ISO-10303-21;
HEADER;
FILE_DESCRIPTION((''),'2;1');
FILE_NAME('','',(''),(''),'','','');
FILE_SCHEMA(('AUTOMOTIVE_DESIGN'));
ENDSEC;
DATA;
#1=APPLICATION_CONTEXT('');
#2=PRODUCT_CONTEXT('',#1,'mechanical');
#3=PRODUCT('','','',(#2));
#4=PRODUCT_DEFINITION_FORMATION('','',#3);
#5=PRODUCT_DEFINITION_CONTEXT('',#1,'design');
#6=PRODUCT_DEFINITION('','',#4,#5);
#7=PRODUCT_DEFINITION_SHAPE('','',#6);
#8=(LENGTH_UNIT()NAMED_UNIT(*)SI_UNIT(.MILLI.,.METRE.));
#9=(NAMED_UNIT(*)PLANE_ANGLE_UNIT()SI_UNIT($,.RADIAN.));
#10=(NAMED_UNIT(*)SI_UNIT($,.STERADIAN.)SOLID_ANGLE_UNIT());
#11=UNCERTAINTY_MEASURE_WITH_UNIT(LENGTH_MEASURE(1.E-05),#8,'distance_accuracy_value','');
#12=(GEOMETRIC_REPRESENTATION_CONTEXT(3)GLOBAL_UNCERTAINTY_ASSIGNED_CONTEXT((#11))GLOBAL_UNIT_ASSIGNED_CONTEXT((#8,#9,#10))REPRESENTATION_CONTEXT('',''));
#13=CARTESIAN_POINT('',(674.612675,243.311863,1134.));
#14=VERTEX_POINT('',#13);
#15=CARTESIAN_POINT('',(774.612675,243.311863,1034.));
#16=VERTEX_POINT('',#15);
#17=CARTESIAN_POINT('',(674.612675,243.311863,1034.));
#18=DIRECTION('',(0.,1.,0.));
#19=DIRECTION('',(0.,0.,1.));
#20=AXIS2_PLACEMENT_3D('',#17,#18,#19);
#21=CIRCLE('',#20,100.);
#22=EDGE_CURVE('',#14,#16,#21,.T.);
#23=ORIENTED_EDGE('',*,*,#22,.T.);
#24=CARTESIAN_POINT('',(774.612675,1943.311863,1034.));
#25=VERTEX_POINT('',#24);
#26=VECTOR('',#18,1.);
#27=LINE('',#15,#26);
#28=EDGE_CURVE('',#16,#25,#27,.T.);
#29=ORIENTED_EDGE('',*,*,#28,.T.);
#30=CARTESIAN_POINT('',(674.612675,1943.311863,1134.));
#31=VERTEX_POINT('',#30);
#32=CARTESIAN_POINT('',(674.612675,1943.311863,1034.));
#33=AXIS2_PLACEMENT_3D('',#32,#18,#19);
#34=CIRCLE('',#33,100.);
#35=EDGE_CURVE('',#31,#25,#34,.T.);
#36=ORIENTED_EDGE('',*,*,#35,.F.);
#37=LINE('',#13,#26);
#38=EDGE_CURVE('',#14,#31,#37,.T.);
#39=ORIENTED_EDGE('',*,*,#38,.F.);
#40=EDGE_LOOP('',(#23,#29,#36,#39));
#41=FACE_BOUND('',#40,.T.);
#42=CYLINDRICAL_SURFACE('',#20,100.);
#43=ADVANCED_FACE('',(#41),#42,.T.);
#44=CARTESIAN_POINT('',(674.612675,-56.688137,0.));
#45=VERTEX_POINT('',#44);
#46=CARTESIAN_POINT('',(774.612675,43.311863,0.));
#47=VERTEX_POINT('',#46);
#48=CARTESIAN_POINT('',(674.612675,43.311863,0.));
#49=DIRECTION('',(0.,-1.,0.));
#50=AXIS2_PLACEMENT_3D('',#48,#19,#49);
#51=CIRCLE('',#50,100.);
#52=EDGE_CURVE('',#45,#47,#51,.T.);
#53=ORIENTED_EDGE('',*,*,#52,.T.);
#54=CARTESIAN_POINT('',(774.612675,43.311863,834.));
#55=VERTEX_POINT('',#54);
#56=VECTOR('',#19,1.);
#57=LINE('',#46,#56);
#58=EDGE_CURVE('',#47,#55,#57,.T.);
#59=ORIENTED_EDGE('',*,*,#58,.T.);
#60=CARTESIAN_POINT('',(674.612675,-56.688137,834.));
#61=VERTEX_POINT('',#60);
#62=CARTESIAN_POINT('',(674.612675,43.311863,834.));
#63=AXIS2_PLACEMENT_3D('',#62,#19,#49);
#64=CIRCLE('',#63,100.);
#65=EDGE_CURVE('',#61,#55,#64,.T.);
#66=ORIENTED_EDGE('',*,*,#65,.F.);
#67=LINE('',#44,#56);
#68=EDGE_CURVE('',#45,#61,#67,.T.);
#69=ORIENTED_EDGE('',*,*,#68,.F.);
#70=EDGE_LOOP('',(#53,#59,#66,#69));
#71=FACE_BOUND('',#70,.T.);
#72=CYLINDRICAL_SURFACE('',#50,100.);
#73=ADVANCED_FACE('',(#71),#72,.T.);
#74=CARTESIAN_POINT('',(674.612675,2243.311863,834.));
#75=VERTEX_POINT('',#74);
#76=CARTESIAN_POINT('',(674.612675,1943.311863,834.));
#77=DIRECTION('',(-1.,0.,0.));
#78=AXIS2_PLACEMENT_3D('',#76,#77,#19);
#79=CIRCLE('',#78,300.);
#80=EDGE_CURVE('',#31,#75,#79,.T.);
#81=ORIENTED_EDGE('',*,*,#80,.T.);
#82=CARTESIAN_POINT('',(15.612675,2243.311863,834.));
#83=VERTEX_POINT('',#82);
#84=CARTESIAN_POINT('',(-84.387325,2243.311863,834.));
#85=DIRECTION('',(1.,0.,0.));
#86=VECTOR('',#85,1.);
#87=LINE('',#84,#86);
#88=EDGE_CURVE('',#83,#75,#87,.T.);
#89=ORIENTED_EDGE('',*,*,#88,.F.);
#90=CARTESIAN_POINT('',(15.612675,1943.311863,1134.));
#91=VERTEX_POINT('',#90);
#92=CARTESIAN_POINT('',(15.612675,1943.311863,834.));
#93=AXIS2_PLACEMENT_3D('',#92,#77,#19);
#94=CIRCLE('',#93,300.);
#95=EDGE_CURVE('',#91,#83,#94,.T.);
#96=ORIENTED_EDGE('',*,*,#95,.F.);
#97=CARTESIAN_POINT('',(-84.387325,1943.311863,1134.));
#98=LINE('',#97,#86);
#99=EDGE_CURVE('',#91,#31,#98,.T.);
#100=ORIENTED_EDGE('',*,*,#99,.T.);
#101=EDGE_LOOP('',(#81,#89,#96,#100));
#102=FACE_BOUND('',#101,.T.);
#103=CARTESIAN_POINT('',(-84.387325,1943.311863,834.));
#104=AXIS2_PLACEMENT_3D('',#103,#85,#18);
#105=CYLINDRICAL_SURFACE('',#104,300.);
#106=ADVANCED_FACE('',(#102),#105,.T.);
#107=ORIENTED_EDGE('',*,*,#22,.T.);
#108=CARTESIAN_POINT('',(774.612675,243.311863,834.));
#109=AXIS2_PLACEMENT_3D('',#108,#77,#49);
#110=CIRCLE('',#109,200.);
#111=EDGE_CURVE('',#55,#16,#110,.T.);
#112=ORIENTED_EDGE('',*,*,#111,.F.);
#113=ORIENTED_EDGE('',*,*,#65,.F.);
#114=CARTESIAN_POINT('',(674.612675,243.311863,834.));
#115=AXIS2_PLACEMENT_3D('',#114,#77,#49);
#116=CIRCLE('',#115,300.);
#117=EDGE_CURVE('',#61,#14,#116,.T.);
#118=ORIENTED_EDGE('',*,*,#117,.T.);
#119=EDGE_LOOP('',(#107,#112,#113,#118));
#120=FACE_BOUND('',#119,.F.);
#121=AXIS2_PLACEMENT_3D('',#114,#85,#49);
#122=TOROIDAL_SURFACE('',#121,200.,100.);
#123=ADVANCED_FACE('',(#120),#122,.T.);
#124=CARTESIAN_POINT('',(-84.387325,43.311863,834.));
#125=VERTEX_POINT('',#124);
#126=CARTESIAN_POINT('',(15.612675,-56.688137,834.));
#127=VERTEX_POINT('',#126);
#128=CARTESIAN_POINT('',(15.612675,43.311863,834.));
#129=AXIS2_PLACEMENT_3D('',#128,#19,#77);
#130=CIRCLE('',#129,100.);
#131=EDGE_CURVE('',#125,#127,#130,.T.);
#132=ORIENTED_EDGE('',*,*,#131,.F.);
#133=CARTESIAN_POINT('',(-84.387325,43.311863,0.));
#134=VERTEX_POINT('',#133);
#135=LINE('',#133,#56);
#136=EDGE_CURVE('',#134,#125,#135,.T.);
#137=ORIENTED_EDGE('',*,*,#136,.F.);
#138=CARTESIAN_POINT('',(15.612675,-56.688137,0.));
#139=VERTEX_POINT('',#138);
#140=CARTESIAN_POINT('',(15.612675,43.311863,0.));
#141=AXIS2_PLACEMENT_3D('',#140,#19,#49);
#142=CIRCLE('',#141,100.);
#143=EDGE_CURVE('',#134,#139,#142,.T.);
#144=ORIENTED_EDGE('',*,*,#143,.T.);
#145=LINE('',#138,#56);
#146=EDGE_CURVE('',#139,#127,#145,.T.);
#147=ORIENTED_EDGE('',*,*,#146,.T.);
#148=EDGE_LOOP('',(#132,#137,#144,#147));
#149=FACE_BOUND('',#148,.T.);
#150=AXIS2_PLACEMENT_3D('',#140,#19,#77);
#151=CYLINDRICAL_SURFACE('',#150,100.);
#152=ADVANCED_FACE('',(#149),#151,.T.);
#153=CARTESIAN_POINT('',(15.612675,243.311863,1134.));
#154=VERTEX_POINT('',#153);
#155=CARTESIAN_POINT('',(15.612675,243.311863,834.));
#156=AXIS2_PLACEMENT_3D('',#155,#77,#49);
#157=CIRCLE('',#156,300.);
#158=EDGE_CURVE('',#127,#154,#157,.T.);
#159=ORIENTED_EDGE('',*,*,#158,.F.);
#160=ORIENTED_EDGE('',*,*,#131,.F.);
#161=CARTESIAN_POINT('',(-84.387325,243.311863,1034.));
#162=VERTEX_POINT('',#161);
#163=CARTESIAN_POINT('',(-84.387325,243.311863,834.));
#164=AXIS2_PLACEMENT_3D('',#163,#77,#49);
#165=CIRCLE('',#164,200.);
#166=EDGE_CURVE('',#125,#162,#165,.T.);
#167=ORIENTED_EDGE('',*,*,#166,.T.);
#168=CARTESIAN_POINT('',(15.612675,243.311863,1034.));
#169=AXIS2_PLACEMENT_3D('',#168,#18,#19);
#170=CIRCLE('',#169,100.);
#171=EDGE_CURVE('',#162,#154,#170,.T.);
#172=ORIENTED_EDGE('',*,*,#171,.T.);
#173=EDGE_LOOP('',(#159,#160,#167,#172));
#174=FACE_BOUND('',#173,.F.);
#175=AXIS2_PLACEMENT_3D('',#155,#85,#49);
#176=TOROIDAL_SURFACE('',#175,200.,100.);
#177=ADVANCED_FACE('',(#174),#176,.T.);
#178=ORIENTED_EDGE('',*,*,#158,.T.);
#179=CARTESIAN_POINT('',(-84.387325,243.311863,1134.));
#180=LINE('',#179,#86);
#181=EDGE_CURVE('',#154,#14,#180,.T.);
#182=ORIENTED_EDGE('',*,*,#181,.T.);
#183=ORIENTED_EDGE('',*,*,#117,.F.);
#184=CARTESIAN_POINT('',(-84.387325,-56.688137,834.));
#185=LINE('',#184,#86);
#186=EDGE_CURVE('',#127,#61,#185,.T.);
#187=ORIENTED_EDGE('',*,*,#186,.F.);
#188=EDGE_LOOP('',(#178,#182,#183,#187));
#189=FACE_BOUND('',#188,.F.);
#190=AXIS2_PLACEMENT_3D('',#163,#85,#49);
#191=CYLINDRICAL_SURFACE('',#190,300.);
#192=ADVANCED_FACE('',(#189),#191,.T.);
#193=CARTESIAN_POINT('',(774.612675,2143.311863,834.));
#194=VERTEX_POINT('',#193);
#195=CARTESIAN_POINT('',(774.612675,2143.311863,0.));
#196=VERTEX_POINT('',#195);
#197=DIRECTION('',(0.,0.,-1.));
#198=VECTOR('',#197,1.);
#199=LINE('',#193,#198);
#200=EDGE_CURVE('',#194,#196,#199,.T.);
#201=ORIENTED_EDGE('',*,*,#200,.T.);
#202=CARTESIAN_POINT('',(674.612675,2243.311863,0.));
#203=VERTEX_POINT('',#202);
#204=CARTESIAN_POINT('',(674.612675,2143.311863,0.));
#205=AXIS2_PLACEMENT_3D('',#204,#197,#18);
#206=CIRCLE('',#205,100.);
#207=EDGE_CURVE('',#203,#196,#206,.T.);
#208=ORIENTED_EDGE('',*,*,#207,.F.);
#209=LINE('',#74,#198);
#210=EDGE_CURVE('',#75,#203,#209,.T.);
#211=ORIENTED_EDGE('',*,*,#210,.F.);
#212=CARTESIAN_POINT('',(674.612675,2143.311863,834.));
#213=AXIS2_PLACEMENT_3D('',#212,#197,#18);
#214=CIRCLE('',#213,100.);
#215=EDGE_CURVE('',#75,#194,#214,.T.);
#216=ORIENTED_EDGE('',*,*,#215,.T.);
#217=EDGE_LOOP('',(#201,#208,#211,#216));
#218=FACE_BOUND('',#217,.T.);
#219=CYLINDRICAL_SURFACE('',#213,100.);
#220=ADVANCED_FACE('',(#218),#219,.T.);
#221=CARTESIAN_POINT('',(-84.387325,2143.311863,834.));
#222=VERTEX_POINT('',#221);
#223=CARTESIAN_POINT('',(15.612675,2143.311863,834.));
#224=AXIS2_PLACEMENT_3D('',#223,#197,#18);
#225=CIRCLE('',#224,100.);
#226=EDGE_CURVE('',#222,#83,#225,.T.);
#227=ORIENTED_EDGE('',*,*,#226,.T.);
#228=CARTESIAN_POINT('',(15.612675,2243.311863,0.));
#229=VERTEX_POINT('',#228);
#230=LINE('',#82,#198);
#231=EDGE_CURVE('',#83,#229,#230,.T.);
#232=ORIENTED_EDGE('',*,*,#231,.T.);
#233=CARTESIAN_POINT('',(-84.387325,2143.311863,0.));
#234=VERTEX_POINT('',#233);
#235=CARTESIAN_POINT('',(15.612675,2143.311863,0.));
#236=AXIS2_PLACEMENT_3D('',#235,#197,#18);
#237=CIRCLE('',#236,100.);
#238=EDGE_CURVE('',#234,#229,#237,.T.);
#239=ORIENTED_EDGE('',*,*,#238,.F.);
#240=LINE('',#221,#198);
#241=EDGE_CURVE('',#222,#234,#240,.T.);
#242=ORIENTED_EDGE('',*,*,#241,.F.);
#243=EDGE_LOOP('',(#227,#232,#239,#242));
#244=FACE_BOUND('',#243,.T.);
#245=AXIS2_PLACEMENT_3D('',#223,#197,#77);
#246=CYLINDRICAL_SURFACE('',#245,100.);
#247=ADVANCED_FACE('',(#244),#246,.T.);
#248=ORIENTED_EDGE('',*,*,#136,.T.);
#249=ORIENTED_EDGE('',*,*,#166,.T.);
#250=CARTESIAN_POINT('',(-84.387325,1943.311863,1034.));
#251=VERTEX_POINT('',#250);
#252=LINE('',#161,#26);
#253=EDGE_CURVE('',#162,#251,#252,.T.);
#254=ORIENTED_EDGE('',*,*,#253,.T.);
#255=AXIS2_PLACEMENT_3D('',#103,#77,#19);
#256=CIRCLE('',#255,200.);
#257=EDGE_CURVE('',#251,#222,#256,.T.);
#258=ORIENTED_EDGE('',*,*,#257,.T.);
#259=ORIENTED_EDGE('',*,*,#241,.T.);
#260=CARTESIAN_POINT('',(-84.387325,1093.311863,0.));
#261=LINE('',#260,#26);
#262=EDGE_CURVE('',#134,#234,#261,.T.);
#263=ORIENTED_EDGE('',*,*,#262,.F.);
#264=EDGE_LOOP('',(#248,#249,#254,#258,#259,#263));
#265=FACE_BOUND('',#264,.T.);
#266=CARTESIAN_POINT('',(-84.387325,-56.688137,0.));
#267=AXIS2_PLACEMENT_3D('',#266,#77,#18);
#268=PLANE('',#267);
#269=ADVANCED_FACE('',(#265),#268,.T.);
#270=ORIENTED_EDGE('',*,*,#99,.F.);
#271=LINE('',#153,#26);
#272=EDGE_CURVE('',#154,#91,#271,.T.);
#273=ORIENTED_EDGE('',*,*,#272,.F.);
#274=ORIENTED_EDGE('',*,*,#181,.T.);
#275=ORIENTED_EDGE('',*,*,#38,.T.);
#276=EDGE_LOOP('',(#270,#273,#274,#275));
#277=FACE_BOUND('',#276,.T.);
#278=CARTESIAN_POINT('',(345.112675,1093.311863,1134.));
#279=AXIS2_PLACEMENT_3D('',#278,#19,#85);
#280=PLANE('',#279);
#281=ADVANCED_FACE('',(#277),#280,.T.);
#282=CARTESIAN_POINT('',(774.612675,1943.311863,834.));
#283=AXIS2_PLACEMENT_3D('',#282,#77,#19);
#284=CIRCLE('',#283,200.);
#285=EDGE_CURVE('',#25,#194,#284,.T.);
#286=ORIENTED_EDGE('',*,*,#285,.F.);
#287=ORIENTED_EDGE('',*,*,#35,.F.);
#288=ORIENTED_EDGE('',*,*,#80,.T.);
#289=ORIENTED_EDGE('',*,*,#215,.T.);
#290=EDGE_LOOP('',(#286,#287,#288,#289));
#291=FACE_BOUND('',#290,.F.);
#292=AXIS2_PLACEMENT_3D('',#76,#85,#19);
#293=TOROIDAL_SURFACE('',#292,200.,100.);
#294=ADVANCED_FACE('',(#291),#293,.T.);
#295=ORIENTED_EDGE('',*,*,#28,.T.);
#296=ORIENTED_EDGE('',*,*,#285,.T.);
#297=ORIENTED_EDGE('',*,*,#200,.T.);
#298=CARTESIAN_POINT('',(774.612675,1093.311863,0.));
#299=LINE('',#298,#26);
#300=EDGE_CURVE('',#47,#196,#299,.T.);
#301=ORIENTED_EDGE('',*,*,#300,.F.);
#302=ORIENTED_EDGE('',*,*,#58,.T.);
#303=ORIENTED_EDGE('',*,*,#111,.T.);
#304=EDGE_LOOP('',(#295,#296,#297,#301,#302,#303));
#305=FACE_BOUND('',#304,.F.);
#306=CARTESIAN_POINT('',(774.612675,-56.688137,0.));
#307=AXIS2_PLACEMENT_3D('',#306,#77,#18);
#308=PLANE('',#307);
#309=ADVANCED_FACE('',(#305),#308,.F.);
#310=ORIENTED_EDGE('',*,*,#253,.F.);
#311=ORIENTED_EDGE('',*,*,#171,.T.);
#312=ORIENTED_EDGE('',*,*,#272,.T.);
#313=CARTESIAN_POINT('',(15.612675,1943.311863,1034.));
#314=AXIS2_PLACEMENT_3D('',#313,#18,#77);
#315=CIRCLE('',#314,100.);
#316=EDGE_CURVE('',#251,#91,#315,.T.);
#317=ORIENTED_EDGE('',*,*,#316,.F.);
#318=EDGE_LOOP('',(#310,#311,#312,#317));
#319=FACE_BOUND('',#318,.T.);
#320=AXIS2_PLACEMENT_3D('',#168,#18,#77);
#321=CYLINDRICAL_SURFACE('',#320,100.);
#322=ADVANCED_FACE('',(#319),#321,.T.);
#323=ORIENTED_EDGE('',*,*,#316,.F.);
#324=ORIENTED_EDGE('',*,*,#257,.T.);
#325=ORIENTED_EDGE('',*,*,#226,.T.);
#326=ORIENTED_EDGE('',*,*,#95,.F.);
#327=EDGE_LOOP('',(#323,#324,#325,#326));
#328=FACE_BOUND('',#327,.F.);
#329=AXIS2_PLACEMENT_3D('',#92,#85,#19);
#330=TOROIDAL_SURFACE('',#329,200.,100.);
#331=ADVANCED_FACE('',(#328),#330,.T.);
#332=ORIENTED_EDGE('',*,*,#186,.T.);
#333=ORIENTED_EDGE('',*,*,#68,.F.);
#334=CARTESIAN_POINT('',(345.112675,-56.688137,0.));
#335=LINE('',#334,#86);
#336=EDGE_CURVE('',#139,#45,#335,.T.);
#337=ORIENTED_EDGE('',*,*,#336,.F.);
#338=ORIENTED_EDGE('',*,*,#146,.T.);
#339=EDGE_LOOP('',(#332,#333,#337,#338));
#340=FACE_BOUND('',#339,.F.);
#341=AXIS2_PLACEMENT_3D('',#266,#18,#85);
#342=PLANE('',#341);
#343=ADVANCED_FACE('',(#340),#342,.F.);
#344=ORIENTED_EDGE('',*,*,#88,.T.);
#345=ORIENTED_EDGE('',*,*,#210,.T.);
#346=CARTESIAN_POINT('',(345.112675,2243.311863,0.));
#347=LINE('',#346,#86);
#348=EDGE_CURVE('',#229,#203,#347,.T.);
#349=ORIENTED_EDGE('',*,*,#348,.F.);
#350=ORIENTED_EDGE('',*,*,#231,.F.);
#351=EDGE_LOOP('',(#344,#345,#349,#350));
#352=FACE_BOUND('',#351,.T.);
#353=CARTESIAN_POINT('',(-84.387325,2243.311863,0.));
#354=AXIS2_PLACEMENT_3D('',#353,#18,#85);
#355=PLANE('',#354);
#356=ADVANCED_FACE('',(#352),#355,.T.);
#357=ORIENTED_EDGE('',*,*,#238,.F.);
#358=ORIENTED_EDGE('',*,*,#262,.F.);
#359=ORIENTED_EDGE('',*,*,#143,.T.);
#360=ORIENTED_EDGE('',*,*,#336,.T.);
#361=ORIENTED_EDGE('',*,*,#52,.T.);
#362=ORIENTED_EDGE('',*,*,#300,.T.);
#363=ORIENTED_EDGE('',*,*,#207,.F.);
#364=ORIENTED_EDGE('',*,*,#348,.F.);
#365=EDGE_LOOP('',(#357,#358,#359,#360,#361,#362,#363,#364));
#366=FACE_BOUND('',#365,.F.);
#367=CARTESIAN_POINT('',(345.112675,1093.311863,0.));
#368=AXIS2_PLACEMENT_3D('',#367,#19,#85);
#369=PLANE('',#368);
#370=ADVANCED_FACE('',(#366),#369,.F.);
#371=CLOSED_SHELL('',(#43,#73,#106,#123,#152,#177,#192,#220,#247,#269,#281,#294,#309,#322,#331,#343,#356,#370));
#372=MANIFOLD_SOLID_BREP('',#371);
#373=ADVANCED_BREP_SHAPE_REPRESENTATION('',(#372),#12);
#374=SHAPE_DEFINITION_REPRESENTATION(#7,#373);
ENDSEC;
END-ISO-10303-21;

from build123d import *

# Parameters (mm, degrees)
F0_W     = 859
F0_H     = 2300
F1_DEPTH = 1134
F2_R     = 300
F3_R     = 100


with BuildPart() as f1:
    # F0 (on Top) → F1 (new body)
    with BuildSketch(Plane.XY):
        with Locations((345.1126752496, 1093.3118626475)):
            Rectangle(F0_W, F0_H)
    extrude(amount=F1_DEPTH)

    # F2
    f2_edges = [f1.edges().sort_by_distance(p)[0] for p in [
        (345.112675, -56.688137, 1134),
        (345.112675, 2243.311863, 1134),
    ]]
    fillet(f2_edges, radius=F2_R)

    # F3
    f3_edges = [f1.edges().sort_by_distance(p)[0] for p in [
        (774.612675, 1093.311863, 1134),
        (774.612675, 31.179828, 1046.132034),
        (774.612675, -56.688137, 417),
        (774.612675, 2155.443897, 1046.132034),
        (774.612675, 2243.311863, 417),
        (-84.387325, -56.688137, 417),
        (-84.387325, 31.179828, 1046.132034),
        (-84.387325, 1093.311863, 1134),
        (-84.387325, 2155.443897, 1046.132034),
        (-84.387325, 2243.311863, 417),
    ]]
    fillet(f3_edges, radius=F3_R)


solid = f1.part
